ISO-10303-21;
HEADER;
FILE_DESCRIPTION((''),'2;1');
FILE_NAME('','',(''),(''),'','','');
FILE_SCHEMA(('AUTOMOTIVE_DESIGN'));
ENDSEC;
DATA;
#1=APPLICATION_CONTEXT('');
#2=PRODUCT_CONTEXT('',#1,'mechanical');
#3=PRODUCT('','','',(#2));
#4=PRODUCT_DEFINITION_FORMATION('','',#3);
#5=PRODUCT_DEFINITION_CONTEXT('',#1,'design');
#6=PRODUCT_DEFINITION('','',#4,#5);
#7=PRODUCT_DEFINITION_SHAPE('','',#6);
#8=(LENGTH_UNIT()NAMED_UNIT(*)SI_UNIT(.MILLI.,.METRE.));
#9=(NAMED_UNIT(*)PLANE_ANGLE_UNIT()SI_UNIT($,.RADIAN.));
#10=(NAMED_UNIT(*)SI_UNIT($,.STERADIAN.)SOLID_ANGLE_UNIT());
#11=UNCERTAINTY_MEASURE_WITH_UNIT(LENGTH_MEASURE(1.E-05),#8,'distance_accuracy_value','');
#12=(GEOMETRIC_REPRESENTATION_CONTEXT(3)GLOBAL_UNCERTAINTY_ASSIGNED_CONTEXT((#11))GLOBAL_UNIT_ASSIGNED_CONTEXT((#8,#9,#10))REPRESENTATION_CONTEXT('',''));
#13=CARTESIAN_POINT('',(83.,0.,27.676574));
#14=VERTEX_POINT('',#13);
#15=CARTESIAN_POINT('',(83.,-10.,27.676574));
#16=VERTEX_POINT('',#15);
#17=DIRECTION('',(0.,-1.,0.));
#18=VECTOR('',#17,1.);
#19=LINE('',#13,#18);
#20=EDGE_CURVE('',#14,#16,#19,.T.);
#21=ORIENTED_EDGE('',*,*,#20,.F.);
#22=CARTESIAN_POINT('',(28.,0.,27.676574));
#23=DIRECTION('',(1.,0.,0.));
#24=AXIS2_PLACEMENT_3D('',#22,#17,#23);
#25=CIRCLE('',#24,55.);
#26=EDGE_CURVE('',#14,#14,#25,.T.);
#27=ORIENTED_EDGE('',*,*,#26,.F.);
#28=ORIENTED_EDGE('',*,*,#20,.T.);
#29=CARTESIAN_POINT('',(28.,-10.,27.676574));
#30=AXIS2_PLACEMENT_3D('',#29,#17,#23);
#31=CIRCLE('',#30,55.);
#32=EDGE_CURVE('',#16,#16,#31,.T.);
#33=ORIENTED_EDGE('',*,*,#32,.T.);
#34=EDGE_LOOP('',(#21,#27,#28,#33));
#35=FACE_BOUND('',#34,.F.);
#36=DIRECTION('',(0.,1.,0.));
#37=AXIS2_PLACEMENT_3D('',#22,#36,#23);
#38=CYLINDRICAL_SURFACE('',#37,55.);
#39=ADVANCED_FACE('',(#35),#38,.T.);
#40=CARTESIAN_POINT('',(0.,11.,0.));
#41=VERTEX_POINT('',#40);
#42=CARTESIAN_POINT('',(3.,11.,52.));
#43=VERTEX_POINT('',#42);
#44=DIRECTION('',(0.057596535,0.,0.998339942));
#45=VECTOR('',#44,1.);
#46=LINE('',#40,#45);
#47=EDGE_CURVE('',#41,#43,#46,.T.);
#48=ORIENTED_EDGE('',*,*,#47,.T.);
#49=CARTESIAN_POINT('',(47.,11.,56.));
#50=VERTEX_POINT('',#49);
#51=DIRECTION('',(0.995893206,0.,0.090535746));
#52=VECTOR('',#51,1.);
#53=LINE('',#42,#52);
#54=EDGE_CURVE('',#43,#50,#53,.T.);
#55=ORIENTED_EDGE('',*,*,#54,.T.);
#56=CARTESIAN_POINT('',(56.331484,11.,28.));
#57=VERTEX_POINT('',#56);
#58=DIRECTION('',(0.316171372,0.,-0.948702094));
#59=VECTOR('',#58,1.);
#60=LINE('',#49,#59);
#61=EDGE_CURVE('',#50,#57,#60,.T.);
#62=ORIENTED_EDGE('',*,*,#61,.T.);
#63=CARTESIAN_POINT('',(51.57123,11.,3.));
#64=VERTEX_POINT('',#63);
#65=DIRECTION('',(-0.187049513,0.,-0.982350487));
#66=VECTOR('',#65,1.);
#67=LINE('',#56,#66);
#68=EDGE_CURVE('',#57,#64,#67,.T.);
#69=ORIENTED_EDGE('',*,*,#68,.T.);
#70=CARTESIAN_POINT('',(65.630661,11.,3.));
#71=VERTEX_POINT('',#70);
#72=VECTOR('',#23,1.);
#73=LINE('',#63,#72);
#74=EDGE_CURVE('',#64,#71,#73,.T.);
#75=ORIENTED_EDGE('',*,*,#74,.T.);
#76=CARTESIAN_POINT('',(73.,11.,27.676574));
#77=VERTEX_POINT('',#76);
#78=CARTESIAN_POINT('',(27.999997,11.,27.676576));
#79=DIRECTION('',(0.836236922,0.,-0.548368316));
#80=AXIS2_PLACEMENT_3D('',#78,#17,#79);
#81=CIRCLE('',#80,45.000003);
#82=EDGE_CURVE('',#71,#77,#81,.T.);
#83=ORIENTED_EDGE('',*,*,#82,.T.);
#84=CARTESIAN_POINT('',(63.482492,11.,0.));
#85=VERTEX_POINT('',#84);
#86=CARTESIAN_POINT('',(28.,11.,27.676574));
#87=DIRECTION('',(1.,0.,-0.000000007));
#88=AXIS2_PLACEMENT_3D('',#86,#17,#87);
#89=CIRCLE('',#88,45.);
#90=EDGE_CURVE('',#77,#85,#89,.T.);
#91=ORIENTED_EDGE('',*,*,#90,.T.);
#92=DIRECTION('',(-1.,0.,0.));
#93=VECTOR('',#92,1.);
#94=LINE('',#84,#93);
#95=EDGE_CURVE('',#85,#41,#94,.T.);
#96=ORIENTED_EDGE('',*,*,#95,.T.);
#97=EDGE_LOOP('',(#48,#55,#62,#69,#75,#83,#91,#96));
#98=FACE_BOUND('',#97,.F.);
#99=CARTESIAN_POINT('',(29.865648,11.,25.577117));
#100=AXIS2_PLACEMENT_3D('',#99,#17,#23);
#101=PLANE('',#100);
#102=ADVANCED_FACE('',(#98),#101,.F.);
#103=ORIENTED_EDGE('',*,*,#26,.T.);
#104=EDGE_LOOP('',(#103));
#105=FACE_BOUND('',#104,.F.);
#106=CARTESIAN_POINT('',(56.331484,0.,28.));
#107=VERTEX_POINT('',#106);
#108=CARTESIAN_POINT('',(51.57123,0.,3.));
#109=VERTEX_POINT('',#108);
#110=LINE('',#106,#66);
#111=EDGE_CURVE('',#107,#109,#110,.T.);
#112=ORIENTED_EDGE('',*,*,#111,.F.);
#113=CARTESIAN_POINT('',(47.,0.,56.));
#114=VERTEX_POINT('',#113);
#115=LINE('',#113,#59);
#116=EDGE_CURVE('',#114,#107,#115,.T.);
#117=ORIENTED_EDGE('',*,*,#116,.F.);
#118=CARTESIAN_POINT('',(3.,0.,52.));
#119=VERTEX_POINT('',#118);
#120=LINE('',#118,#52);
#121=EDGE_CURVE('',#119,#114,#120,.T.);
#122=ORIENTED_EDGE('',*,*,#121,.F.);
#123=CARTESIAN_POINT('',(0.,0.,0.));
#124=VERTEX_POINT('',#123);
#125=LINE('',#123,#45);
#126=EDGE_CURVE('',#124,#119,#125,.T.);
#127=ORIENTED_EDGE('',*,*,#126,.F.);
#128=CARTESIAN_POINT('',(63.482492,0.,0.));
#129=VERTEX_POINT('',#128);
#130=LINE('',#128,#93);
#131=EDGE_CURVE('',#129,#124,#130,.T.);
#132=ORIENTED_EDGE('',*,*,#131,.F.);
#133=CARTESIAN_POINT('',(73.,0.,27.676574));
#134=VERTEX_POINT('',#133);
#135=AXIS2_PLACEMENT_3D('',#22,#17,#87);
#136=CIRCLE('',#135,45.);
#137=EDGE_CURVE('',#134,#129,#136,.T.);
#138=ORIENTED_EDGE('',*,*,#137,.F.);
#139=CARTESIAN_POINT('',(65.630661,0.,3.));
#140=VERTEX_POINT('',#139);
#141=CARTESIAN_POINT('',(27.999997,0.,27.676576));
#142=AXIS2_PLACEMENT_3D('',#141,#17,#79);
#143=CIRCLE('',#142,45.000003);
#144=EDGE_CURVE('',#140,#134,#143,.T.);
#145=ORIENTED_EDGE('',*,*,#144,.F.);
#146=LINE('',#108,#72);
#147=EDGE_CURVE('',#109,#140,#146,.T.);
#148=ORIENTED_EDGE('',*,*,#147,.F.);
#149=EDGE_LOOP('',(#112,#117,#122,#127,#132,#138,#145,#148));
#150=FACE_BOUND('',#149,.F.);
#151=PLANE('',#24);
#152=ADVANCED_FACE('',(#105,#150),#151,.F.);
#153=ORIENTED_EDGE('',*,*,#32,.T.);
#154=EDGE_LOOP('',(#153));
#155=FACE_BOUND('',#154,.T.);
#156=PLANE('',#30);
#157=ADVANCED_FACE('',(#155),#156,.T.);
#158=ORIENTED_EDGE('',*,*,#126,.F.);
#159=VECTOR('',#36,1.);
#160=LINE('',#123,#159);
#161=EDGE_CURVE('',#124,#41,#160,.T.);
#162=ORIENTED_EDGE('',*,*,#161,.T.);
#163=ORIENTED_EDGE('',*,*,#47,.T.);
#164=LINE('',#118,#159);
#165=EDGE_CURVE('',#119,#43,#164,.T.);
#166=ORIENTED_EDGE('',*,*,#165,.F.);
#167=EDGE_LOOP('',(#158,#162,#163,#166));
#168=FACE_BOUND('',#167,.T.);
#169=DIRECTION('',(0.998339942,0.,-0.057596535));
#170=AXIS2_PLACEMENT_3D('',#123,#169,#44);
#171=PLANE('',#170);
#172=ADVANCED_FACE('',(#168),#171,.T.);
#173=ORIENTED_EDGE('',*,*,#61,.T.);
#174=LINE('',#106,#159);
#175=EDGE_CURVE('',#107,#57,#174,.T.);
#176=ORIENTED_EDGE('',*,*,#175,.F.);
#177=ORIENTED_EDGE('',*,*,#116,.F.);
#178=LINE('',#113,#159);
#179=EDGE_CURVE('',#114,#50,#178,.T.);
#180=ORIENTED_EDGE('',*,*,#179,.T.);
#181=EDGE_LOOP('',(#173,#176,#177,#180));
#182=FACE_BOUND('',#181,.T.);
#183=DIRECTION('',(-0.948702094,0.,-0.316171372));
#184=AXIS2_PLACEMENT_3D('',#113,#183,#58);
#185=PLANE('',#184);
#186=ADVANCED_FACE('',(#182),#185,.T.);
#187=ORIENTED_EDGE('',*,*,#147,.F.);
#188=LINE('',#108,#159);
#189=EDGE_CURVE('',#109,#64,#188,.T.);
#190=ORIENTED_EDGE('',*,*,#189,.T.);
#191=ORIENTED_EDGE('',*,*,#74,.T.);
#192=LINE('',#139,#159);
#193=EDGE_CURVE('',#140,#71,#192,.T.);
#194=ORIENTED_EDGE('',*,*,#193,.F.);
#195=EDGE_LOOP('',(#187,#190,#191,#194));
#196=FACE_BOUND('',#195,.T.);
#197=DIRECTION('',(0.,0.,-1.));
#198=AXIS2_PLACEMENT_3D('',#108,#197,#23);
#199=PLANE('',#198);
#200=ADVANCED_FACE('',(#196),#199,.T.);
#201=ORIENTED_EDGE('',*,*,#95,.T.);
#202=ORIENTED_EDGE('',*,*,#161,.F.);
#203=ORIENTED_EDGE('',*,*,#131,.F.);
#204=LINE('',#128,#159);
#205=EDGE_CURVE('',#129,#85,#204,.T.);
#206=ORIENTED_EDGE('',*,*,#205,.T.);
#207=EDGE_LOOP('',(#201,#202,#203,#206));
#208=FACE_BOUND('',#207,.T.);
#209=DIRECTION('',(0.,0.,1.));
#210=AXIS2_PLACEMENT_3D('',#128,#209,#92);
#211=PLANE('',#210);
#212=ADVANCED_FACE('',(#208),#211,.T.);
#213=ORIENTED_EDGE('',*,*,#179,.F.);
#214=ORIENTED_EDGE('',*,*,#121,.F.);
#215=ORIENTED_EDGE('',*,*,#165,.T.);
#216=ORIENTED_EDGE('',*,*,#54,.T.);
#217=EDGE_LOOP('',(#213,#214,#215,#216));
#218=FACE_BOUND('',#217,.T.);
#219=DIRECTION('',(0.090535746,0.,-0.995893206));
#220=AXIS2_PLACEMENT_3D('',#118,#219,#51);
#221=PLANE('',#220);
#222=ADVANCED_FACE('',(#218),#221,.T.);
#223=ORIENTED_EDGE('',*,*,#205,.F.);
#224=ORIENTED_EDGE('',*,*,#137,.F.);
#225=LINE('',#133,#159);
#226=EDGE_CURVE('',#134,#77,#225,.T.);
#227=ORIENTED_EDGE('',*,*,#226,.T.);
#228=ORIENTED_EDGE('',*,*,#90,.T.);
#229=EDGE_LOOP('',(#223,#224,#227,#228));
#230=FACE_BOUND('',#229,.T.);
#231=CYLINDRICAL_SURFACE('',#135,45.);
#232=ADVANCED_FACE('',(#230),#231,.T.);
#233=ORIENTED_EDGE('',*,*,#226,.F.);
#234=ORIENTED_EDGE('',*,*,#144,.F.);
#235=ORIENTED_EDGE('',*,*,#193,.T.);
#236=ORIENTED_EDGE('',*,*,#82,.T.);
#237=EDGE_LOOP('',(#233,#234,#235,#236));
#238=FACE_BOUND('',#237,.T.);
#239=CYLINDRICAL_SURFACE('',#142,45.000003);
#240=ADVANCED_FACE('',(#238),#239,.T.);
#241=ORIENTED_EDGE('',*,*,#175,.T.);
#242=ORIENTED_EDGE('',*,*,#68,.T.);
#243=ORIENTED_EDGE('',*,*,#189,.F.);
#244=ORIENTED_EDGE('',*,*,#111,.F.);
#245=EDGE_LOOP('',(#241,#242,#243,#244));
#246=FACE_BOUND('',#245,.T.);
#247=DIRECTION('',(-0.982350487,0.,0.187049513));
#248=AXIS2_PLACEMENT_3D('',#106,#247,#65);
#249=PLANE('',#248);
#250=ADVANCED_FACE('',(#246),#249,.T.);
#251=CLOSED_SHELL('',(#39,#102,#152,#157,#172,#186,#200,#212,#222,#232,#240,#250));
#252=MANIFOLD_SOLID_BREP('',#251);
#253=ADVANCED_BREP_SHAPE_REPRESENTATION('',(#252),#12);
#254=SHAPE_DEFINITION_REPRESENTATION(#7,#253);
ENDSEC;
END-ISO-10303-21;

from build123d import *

# Parameters (mm, degrees)
F0_R     = 55
F1_DEPTH = 10
F2_DEPTH = 11


with BuildPart() as f1:
    # F0 (on Front) → F1 (new body)
    with BuildSketch(Plane.XZ):
        with Locations((28, 27.676574)):
            Circle(F0_R)
        with BuildLine():
            ThreePointArc((65.630661, 3), (64.587338, 1.477973), (63.482492, 0))
            ThreePointArc((63.482492, 0), (-14.554155, 42.310232), (73, 27.676574))
            ThreePointArc((73, 27.676574), (71.118324, 14.799847), (65.630661, 3))
        make_face(mode=Mode.SUBTRACT)
        with BuildLine():
            Line((51, 0), (0, 0))
            Line((0, 0), (3, 52))
            Line((3, 52), (47, 56))
            Line((47, 56), (56.331484, 28))
            Line((56.331484, 28), (51.57123, 3))
            Line((51.57123, 3), (65.630661, 3))
            ThreePointArc((65.630661, 3), (71.118324, 14.799847), (73, 27.676574))
            ThreePointArc((73, 27.676574), (-14.554155, 42.310232), (63.482492, 0))
            Line((63.482492, 0), (51, 0))
        make_face()
        with BuildLine():
            Line((3, 52), (0, 0))
            Line((0, 0), (51, 0))
            Line((51, 0), (63.482492, 0))
            ThreePointArc((63.482492, 0), (64.587338, 1.477973), (65.630661, 3))
            Line((65.630661, 3), (51.57123, 3))
            Line((51.57123, 3), (56.331484, 28))
            Line((56.331484, 28), (47, 56))
            Line((47, 56), (3, 52))
        make_face()
    extrude(amount=F1_DEPTH)

    # F0 (on Front) → F2 (join)
    with BuildSketch(Plane.XZ):
        with BuildLine():
            Line((51, 0), (0, 0))
            Line((0, 0), (3, 52))
            Line((3, 52), (47, 56))
            Line((47, 56), (56.331484, 28))
            Line((56.331484, 28), (51.57123, 3))
            Line((51.57123, 3), (65.630661, 3))
            ThreePointArc((65.630661, 3), (71.118324, 14.799847), (73, 27.676574))
            ThreePointArc((73, 27.676574), (-14.554155, 42.310232), (63.482492, 0))
            Line((63.482492, 0), (51, 0))
        make_face()
    extrude(amount=-F2_DEPTH)


solid = f1.part
